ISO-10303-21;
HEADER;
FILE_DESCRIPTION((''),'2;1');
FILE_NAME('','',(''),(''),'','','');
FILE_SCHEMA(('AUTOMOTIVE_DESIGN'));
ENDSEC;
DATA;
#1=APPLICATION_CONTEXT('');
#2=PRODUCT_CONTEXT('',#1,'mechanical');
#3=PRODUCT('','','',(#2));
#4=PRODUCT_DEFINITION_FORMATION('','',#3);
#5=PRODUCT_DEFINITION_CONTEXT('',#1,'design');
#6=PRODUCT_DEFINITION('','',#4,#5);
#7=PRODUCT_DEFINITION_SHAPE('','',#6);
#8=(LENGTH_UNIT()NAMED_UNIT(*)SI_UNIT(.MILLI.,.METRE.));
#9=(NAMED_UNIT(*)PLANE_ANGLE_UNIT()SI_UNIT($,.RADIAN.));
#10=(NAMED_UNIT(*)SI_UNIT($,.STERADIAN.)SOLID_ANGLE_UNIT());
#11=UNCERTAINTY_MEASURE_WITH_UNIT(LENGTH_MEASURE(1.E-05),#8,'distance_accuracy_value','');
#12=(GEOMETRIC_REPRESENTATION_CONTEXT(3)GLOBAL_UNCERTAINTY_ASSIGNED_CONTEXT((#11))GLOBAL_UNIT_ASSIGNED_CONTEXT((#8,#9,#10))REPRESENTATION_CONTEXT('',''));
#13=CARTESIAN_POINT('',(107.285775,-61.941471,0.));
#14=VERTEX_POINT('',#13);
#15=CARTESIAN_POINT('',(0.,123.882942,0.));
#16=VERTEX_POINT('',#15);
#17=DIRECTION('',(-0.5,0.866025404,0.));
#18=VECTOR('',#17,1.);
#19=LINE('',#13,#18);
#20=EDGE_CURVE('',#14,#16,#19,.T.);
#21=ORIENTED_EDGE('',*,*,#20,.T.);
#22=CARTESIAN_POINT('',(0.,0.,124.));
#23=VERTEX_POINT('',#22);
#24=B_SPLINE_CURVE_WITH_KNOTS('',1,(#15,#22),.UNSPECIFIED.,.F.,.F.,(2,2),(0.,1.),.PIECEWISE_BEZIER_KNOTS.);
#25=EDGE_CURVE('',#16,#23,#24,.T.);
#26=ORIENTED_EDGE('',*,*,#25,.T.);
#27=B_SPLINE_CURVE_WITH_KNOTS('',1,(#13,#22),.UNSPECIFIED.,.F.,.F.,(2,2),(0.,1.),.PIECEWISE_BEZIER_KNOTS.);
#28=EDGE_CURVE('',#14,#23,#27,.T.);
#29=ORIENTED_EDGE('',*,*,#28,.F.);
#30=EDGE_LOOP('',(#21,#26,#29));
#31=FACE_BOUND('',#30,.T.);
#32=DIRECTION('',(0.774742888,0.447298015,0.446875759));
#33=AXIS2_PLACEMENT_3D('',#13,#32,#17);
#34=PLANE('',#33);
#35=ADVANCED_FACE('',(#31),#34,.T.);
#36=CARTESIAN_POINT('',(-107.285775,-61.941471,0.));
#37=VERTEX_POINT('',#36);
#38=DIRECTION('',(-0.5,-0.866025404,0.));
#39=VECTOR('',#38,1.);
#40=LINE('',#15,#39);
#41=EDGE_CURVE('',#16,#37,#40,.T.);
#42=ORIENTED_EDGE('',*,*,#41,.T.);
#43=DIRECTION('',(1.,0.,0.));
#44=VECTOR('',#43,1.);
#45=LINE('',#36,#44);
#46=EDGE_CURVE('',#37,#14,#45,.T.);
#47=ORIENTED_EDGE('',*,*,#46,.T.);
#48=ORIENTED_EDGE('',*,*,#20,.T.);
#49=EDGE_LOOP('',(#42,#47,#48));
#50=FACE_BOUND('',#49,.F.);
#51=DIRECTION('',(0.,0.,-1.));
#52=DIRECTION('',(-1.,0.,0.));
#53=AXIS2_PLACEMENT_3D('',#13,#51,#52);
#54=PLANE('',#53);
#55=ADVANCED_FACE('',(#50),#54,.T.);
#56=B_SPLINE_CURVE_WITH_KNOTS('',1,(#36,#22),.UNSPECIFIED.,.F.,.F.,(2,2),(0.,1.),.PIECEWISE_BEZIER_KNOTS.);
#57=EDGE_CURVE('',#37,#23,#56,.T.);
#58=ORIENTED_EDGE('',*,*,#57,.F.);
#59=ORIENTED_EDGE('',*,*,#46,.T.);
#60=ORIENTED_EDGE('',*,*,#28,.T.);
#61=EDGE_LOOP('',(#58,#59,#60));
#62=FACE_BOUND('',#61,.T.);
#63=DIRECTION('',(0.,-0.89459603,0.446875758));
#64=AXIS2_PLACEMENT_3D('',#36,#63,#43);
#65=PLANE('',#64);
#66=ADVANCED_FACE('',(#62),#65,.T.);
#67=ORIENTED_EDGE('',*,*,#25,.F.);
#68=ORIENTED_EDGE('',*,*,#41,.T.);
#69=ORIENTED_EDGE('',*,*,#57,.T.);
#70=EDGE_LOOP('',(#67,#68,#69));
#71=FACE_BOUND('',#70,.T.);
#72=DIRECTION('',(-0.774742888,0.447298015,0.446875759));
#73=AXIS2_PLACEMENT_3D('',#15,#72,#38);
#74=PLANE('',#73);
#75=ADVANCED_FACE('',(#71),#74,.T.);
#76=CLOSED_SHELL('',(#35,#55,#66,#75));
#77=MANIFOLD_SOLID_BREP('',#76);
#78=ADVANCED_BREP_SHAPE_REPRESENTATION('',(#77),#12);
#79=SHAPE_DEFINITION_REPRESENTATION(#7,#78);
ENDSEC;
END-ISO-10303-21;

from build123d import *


with BuildPart() as f3:
    # F0 (on Top) → F3 section 0
    with BuildSketch(Plane.XY, mode=Mode.PRIVATE) as f3_s0:
        Polygon((107.285775, -61.941471), (0, 123.882942), (-107.285775, -61.941471), align=None)
    loft([f3_s0.sketch, Vertex(0, 0, 124)])


solid = f3.part
